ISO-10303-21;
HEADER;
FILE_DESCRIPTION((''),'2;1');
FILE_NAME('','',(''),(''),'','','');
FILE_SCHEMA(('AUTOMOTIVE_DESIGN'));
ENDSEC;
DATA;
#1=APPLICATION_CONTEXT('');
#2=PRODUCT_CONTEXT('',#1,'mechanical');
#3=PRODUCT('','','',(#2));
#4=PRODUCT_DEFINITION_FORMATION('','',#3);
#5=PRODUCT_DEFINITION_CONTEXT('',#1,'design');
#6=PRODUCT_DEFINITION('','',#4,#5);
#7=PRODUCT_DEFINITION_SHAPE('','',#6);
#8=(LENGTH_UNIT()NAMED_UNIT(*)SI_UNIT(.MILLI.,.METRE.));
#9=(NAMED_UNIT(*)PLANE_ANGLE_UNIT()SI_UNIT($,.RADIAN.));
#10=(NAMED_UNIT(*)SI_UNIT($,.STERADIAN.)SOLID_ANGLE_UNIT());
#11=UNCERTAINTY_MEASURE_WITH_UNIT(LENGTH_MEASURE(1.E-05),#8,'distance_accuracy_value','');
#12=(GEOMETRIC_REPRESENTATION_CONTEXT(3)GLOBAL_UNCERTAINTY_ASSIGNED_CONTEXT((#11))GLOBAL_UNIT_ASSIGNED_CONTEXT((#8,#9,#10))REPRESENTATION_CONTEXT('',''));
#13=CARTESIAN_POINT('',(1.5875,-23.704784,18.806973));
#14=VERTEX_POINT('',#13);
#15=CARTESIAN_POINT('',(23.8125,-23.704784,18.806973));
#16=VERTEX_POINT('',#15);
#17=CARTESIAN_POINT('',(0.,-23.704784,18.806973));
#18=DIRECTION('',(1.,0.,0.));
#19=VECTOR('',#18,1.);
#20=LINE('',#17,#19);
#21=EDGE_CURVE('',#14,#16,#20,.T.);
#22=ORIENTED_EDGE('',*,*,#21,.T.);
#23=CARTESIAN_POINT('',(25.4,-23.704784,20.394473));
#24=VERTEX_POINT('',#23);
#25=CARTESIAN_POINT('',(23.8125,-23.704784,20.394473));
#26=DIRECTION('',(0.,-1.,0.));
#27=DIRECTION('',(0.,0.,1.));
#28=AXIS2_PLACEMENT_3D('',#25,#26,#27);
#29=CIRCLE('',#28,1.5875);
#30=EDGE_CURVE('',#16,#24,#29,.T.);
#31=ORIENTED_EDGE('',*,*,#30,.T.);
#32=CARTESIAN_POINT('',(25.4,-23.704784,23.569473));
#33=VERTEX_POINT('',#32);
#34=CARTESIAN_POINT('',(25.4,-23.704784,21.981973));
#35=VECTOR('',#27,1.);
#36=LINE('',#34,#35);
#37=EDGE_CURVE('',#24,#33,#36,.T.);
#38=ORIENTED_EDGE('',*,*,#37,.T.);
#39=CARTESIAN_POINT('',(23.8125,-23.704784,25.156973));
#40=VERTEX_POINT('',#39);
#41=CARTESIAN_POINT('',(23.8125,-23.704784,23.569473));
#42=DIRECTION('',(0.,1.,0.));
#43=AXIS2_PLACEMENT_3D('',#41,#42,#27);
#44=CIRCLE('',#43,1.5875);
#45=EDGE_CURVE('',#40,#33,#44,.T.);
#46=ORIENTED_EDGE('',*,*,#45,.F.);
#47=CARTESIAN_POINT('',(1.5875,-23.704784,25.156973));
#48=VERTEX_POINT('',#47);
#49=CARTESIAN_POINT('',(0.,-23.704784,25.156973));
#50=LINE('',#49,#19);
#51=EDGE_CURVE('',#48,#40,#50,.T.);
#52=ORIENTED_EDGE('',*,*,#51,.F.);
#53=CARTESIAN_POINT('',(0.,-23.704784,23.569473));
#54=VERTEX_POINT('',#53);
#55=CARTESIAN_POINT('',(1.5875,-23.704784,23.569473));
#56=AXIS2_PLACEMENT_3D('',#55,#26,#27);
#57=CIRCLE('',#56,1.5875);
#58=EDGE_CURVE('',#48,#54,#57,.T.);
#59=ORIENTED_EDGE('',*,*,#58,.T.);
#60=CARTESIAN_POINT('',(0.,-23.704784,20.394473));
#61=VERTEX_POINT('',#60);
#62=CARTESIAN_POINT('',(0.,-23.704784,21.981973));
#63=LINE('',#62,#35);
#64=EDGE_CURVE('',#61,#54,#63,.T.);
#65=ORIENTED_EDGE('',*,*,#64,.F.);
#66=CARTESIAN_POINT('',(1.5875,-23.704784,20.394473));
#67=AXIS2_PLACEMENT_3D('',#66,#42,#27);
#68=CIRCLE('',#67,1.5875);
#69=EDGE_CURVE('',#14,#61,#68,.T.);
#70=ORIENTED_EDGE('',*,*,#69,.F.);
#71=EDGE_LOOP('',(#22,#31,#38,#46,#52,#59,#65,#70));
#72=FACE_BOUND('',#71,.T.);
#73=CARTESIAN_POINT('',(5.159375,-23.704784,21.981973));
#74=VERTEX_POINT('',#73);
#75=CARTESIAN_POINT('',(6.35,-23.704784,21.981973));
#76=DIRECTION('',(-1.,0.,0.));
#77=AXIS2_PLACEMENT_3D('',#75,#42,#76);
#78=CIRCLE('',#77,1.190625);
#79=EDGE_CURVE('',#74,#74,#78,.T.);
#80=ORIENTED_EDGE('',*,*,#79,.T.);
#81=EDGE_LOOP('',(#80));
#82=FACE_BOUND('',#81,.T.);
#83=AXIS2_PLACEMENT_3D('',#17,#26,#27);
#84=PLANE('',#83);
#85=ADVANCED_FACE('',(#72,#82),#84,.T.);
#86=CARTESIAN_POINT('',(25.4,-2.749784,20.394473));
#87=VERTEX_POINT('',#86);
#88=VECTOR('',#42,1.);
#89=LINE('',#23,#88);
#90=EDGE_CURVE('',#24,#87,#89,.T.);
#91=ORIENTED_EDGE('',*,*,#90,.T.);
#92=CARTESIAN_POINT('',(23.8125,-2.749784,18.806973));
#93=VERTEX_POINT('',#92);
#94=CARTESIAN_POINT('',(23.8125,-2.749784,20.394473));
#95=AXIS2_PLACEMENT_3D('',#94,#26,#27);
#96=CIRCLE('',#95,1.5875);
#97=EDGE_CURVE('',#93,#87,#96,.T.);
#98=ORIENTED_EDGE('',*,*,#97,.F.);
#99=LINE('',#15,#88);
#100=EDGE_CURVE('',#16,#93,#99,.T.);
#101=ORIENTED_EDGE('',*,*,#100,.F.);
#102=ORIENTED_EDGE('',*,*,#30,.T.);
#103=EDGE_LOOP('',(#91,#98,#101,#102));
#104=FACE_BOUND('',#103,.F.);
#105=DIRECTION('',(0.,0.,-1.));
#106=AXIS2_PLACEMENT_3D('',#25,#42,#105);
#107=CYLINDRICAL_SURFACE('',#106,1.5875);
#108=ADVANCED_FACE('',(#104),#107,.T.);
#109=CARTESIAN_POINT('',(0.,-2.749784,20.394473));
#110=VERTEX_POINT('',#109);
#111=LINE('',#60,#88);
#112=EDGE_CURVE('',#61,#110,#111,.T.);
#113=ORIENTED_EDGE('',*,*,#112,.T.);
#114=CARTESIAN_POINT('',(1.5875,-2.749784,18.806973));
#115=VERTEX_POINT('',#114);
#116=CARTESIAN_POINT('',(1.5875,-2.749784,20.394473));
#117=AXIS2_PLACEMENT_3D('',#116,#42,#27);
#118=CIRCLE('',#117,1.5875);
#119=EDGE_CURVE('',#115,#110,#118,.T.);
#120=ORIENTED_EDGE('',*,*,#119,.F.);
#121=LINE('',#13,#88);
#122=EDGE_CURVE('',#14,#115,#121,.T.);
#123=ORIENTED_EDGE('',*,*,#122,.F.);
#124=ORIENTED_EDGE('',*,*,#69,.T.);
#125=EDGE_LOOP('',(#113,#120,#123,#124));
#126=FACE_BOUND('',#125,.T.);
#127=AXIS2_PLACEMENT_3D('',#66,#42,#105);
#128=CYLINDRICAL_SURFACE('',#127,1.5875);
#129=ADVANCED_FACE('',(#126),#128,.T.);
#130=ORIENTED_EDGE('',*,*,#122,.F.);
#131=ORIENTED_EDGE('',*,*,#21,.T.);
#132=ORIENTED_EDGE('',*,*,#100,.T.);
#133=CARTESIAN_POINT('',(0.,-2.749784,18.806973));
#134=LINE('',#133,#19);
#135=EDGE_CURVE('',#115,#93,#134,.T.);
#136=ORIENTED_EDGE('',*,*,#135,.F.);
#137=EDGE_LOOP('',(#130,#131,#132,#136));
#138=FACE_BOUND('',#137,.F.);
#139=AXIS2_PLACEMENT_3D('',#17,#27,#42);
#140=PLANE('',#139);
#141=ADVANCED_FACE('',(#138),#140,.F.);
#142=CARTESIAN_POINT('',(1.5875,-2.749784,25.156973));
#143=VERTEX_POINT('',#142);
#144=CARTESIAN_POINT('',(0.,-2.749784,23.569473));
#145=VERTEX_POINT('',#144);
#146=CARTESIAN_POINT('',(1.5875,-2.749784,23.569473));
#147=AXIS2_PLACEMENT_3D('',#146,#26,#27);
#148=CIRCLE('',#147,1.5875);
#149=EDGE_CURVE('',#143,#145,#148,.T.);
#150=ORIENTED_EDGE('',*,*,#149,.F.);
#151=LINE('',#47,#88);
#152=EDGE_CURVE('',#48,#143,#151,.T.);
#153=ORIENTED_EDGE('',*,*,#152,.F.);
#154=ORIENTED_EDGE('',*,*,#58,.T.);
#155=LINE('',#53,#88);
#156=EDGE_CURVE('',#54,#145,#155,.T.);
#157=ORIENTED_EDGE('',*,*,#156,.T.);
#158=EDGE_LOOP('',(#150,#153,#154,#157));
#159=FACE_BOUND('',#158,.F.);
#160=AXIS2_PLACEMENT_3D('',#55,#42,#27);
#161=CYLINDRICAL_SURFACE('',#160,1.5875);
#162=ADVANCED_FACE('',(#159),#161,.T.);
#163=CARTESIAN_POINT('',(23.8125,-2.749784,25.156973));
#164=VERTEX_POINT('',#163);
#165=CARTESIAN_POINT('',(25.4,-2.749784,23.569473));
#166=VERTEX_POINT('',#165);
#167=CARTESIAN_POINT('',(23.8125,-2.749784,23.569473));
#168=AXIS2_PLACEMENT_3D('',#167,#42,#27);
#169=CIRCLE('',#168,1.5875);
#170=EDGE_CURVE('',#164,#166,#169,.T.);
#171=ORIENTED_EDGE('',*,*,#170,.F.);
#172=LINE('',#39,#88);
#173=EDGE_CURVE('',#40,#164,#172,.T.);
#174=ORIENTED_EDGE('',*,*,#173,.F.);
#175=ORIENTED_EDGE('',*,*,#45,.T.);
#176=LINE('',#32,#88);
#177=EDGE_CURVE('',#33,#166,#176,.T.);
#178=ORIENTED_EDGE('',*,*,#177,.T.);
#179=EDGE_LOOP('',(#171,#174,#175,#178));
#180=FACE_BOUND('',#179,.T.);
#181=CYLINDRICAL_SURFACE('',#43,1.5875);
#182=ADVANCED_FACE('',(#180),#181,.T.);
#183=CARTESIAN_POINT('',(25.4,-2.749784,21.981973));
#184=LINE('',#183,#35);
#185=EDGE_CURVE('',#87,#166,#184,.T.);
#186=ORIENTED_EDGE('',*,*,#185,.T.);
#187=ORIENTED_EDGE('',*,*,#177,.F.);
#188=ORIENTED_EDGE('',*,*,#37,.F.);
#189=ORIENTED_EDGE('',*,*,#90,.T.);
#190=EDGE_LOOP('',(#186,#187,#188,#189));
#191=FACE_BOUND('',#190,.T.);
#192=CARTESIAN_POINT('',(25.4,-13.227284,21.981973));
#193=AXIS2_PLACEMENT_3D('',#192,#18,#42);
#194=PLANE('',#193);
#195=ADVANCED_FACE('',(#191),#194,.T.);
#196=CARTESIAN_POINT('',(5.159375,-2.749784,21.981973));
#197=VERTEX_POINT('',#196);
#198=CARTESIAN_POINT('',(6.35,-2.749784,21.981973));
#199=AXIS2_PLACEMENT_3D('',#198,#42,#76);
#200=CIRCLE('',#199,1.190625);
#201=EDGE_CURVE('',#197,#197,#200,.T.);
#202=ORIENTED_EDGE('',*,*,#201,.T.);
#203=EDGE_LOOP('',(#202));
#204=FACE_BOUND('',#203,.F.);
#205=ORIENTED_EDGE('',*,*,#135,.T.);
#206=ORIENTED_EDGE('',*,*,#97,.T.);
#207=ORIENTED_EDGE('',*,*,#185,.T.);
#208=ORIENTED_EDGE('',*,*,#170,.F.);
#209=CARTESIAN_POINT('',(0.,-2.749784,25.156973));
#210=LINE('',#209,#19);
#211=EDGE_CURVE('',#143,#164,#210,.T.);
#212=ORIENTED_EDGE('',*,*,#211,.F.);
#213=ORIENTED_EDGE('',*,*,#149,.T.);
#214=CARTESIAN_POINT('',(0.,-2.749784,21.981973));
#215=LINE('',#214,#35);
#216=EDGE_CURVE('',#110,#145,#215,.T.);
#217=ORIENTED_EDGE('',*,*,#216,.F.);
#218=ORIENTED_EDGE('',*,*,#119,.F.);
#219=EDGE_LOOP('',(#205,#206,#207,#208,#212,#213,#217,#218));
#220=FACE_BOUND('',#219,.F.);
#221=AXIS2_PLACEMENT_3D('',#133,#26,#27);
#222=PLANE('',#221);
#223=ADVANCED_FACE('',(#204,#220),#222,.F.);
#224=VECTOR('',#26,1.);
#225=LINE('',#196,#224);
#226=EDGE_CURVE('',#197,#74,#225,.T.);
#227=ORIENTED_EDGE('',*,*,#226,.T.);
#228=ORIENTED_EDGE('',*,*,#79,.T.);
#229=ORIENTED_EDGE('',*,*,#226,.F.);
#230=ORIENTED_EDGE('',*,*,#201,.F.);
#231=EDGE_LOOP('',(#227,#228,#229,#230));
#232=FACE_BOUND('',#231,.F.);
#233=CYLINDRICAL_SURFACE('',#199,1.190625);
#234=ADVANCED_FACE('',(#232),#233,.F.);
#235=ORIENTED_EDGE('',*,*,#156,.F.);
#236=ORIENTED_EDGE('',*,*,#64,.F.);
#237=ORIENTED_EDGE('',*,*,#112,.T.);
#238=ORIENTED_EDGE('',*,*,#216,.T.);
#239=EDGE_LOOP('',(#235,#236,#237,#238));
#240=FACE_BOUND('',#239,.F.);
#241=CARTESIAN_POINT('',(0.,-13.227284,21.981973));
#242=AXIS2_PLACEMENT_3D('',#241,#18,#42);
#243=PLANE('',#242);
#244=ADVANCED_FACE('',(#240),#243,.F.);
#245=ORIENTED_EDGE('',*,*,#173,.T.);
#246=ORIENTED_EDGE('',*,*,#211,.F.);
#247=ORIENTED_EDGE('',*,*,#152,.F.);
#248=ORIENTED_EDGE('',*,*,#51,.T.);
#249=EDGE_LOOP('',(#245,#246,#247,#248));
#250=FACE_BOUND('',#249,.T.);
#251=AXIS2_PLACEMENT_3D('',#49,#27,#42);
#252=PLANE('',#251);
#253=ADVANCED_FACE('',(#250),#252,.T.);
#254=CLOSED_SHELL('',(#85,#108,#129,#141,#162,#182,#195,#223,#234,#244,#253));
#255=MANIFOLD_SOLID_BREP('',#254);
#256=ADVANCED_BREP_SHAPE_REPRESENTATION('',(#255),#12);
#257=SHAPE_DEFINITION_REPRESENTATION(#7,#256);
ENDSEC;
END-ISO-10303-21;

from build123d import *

# Parameters (mm, degrees)
F0_W     = 20.955
F0_H     = 6.35
F1_DEPTH = 25.4
F2_R     = 1.5875
F3_R     = 1.190625
F4_DEPTH = 25.4


with BuildPart() as f1:
    # F0 (on Right) → F1 (new body)
    with BuildSketch(Plane.YZ):
        with Locations((-13.227284, 21.981973)):
            Rectangle(F0_W, F0_H)
    extrude(amount=F1_DEPTH)

    # F2
    f2_edges = [f1.edges().sort_by_distance(p)[0] for p in [
        (25.4, -13.227284, 25.156973),
        (25.4, -13.227284, 18.806973),
        (0, -13.227284, 18.806973),
        (0, -13.227284, 25.156973),
    ]]
    fillet(f2_edges, radius=F2_R)

    # F3 (on face) → F4 (cut)
    with BuildSketch(Plane(origin=(0, -2.749784, 0), x_dir=(-1, 0, 0), z_dir=(0, 1, 0))):
        with Locations((-6.35, 21.981973)):
            Circle(F3_R)
    extrude(amount=-F4_DEPTH, mode=Mode.SUBTRACT)


solid = f1.part
